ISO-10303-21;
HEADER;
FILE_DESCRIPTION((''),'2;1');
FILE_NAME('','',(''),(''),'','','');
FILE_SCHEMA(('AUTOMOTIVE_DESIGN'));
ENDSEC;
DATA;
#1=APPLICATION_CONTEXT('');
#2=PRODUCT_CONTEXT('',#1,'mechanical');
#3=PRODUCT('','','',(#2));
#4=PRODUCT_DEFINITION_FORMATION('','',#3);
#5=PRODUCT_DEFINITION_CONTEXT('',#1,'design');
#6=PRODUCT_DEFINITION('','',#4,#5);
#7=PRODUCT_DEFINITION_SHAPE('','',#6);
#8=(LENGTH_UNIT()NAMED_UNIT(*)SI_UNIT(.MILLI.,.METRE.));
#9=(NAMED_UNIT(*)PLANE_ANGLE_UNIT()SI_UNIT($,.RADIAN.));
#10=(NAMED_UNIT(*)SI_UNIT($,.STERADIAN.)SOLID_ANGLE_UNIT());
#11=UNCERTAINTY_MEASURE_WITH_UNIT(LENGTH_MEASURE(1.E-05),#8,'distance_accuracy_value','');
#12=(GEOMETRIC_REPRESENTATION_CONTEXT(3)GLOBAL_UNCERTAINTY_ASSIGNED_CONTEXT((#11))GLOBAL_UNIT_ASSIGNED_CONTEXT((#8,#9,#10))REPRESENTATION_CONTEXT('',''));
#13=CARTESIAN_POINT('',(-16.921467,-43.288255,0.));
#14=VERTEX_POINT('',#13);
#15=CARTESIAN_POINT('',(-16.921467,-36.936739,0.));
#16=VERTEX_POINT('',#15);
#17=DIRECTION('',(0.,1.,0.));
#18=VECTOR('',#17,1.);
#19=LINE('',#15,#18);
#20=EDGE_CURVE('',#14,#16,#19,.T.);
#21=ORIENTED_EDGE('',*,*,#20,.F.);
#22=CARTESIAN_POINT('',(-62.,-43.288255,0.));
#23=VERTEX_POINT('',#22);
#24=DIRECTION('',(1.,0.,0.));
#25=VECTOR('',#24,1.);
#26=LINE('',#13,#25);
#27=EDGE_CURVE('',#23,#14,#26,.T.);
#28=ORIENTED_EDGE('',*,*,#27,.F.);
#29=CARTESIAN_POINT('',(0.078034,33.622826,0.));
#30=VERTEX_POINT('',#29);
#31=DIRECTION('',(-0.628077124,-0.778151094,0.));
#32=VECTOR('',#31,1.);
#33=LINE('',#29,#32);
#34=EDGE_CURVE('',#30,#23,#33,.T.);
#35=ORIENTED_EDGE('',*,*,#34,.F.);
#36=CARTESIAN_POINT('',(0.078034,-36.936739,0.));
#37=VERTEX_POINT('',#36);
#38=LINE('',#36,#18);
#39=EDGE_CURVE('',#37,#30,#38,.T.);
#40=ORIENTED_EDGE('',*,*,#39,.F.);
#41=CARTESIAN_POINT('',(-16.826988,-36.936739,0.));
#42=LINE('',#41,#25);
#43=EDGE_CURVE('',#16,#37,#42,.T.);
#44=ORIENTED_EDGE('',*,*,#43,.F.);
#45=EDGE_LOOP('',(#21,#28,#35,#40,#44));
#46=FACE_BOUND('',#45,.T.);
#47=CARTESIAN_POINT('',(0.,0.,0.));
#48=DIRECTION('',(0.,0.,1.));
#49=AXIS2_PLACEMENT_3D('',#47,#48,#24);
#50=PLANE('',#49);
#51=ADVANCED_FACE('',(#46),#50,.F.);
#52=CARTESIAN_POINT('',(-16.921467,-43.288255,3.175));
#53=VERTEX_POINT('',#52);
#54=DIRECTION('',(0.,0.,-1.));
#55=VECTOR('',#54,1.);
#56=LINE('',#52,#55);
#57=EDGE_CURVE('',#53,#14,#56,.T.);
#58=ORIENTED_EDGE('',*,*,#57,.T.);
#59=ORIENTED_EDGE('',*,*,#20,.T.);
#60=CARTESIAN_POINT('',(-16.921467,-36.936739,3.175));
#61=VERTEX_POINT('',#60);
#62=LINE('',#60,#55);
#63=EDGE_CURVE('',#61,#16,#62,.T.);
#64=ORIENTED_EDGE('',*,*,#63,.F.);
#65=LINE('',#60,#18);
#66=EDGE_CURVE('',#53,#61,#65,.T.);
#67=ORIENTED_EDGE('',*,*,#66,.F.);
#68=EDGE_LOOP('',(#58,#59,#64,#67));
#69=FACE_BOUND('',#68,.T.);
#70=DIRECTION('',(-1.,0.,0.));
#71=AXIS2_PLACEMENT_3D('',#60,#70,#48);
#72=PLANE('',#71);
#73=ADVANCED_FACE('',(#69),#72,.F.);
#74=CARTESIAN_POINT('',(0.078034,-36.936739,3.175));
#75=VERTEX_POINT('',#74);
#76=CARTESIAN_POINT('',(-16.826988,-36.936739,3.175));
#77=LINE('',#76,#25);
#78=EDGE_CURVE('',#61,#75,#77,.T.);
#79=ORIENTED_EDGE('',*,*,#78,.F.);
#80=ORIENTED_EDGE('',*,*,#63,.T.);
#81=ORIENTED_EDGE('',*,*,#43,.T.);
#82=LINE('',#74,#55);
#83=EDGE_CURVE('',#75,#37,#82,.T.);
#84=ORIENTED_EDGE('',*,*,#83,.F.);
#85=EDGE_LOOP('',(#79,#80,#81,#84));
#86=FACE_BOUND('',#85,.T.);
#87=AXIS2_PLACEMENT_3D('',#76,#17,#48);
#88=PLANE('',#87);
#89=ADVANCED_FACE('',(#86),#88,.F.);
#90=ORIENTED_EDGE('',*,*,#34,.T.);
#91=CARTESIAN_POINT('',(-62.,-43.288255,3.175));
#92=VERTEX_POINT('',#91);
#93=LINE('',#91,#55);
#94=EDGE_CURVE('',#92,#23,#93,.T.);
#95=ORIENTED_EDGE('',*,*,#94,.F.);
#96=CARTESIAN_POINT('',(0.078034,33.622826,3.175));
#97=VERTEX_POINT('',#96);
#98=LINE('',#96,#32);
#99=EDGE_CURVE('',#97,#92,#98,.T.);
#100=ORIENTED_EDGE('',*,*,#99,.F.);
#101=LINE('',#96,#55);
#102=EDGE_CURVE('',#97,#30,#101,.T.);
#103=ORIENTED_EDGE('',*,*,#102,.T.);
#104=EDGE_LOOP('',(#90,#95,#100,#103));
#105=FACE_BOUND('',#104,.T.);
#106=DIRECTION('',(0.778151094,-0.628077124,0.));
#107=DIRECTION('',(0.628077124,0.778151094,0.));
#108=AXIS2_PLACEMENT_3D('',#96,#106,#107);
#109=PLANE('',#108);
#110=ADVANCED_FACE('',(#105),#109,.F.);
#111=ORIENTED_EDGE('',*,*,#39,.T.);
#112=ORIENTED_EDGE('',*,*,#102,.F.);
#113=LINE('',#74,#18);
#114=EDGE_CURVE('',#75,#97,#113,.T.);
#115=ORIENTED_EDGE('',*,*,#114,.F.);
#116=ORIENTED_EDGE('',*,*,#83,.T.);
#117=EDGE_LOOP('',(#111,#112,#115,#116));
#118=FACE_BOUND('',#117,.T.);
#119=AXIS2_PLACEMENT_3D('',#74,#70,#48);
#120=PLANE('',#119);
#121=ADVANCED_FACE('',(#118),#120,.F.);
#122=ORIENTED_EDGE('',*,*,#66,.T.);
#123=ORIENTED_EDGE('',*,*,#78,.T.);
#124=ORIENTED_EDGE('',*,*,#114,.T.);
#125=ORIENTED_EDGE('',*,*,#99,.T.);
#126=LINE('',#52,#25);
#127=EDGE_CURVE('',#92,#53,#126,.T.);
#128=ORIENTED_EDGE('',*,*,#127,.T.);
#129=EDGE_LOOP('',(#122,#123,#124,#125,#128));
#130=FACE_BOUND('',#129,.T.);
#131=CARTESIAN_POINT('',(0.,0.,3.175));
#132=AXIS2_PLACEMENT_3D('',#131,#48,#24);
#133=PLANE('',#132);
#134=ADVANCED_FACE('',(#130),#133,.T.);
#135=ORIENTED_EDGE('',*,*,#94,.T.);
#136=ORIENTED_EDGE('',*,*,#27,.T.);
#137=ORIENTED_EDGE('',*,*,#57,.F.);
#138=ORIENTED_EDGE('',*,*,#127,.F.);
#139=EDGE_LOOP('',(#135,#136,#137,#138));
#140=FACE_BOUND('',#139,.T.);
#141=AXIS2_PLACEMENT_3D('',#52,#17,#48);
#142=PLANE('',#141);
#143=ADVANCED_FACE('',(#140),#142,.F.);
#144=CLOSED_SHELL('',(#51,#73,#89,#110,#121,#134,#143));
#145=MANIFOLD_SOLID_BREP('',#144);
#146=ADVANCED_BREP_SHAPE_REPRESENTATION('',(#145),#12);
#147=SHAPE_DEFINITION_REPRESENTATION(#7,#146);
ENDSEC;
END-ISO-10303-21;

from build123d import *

# Parameters (mm, degrees)
BOSS_EXTRUDE1_DEPTH = 3.175


with BuildPart() as part:
    # Sketch1 → Boss-Extrude1 (new body)
    with BuildSketch(Plane.XY):
        Polygon((-16.826988174, -36.936739334), (-16.921467096, -36.936739334), (-16.921467096, -43.288254706), (-62, -43.288254706), (0.078034456, 33.622826087), (0.078034456, -36.936739334), align=None)
    extrude(amount=BOSS_EXTRUDE1_DEPTH)


solid = part.part
